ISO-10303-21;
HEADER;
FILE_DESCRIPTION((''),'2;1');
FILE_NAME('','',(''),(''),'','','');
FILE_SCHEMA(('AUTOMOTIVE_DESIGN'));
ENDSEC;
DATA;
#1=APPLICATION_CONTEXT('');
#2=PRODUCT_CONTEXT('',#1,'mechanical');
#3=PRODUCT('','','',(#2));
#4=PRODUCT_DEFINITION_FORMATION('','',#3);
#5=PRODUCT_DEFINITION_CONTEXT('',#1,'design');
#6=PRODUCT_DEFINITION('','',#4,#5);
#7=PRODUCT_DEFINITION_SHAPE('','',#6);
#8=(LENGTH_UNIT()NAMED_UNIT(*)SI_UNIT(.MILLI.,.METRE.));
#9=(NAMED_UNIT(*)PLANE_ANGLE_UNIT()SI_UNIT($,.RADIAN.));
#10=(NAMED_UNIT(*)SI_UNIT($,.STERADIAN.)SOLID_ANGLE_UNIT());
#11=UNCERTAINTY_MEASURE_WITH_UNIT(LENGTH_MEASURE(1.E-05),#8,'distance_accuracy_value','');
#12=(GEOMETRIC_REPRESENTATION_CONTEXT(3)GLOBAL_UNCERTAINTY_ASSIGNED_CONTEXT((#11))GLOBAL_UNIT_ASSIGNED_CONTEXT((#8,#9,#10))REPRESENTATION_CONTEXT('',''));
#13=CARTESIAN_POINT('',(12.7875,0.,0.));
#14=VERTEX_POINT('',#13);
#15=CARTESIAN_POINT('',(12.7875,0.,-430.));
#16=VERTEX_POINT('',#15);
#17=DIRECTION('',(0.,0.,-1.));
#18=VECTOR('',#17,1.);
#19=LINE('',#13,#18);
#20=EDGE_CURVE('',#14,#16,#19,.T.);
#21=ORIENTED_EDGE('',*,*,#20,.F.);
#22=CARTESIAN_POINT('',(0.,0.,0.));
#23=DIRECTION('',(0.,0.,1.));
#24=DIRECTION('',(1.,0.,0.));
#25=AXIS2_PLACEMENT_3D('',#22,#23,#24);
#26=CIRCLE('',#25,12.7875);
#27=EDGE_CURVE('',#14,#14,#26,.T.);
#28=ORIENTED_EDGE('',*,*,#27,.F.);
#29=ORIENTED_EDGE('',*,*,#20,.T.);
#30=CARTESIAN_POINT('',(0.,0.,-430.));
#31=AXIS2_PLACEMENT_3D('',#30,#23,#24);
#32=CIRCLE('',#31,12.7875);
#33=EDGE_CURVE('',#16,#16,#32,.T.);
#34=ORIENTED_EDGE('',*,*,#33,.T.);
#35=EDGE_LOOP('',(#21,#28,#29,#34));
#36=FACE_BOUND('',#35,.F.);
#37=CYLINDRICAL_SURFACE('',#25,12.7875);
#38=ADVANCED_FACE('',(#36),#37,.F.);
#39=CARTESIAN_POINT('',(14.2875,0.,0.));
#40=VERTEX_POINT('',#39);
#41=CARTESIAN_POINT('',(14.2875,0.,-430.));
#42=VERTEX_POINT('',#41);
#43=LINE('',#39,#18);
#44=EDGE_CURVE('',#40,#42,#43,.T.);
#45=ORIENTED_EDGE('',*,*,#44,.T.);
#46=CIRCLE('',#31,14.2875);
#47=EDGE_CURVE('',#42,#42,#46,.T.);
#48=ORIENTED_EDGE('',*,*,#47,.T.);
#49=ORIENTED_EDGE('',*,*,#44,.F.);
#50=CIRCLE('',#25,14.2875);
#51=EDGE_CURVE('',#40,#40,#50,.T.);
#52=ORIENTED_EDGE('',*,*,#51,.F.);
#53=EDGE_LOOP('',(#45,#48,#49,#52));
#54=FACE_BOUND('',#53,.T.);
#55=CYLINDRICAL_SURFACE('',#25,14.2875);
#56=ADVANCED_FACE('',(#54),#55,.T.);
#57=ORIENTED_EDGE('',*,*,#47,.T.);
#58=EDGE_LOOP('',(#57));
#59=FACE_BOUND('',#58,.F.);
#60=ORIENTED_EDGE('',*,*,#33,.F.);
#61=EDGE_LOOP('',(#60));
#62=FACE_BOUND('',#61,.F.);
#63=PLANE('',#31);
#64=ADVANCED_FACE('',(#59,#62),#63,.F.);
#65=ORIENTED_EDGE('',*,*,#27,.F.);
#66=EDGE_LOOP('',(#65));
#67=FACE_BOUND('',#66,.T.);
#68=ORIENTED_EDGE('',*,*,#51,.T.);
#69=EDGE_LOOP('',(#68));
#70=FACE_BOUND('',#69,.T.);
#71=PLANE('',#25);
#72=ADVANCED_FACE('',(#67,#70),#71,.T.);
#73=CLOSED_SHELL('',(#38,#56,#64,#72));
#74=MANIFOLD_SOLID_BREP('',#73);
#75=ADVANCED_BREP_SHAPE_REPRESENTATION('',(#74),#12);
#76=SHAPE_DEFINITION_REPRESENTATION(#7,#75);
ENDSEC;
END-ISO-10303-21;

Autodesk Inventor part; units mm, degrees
ref_plane "YZ Plane" through (0, 0, 0) normal (1, 0, 0) x (0, 1, 0)
ref_plane "XZ Plane" through (0, 0, 0) normal (0, 1, 0) x (-1, 0, 0)
ref_plane "XY Plane" through (0, 0, 0) normal (0, 0, 1) x (1, 0, 0)
sketch "Sketch1" plane through (0, 0, 0) normal (0, 0, 1) x (1, 0, 0)
  circle A0 centre (0, 0) radius 14.2875
  circle A1 centre (0, 0) radius 12.7875
  dimension "d0" = 28.575
  dimension "d4" = 1.5
extrude "Extrusion1" add sketch "Sketch1" against normal blind 430
properties part number "Barra_1_1-8_430" material "Steel, Mild"
